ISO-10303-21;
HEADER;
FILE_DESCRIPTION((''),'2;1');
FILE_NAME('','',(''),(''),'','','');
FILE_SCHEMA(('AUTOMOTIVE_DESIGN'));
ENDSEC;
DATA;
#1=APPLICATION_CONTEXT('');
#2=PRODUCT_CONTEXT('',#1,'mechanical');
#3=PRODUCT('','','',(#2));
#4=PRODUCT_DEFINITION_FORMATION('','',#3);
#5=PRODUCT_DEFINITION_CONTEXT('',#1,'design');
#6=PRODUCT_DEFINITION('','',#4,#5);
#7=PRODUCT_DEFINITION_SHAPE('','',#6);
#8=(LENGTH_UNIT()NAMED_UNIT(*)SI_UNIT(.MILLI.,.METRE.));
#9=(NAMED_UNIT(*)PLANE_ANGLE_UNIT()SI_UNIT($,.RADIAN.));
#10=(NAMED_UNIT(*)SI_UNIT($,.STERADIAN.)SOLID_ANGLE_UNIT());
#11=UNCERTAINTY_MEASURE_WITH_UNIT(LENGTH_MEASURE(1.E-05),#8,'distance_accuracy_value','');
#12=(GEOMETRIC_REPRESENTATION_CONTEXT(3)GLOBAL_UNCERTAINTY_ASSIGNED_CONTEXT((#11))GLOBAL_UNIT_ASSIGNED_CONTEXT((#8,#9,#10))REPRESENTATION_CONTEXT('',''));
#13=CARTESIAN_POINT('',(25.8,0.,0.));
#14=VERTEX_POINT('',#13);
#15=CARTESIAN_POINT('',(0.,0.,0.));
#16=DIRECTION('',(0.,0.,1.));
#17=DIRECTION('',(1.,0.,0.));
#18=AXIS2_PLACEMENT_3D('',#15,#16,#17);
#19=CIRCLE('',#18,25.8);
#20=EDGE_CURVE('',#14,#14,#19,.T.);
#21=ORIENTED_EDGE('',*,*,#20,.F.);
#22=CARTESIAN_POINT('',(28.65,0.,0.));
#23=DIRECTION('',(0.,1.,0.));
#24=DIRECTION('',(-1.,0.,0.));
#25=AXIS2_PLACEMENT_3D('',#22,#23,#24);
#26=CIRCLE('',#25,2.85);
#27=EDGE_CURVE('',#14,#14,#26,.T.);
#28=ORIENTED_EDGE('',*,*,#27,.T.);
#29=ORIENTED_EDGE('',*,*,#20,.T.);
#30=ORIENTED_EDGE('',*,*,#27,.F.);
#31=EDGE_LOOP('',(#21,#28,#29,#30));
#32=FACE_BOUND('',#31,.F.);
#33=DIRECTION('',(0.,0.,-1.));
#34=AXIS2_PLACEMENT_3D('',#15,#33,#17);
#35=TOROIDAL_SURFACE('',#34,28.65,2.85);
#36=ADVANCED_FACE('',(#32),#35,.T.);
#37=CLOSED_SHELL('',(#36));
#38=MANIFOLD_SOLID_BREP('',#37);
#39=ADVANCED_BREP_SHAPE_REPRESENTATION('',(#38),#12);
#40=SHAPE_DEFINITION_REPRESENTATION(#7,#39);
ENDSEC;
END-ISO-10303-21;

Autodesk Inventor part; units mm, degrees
ref_plane "YZ Plane" through (0, 0, 0) normal (1, 0, 0) x (0, 1, 0)
ref_plane "XZ Plane" through (0, 0, 0) normal (0, 1, 0) x (-1, 0, 0)
ref_plane "XY Plane" through (0, 0, 0) normal (0, 0, 1) x (1, 0, 0)
sketch "スケッチ1" plane through (0, 0, 0) normal (0, 1, 0) x (-1, 0, 0)
  line L0 (0, 0) -> (-103.3594, 0) construction
  circle A0 centre (0, 0) radius 25.8 construction
  circle A1 centre (0, 0) radius 31.5 construction
  line L1 (-31.5, -14.3346) -> (-31.5, 14.3346) construction
  line L2 (-28.65, 17.2911) -> (-28.65, -17.2911) construction
  line L3 (-25.8, -14.4815) -> (-25.8, 14.4815) construction
  circle A2 centre (-28.65, 0) radius 2.85
  line L4 (0, -44.1) -> (0, 44.1) projected
  point P0 (-31.5, 0)
  point P1 (-25.8, 0)
  dimension "d0" = 51.6
  dimension "d1" = 63
revolve "回転1" add sketch "スケッチ1" angle 360 about axis through (0, 0, -10) along (0, 0, 1)
properties part number "O-ring_D63"
